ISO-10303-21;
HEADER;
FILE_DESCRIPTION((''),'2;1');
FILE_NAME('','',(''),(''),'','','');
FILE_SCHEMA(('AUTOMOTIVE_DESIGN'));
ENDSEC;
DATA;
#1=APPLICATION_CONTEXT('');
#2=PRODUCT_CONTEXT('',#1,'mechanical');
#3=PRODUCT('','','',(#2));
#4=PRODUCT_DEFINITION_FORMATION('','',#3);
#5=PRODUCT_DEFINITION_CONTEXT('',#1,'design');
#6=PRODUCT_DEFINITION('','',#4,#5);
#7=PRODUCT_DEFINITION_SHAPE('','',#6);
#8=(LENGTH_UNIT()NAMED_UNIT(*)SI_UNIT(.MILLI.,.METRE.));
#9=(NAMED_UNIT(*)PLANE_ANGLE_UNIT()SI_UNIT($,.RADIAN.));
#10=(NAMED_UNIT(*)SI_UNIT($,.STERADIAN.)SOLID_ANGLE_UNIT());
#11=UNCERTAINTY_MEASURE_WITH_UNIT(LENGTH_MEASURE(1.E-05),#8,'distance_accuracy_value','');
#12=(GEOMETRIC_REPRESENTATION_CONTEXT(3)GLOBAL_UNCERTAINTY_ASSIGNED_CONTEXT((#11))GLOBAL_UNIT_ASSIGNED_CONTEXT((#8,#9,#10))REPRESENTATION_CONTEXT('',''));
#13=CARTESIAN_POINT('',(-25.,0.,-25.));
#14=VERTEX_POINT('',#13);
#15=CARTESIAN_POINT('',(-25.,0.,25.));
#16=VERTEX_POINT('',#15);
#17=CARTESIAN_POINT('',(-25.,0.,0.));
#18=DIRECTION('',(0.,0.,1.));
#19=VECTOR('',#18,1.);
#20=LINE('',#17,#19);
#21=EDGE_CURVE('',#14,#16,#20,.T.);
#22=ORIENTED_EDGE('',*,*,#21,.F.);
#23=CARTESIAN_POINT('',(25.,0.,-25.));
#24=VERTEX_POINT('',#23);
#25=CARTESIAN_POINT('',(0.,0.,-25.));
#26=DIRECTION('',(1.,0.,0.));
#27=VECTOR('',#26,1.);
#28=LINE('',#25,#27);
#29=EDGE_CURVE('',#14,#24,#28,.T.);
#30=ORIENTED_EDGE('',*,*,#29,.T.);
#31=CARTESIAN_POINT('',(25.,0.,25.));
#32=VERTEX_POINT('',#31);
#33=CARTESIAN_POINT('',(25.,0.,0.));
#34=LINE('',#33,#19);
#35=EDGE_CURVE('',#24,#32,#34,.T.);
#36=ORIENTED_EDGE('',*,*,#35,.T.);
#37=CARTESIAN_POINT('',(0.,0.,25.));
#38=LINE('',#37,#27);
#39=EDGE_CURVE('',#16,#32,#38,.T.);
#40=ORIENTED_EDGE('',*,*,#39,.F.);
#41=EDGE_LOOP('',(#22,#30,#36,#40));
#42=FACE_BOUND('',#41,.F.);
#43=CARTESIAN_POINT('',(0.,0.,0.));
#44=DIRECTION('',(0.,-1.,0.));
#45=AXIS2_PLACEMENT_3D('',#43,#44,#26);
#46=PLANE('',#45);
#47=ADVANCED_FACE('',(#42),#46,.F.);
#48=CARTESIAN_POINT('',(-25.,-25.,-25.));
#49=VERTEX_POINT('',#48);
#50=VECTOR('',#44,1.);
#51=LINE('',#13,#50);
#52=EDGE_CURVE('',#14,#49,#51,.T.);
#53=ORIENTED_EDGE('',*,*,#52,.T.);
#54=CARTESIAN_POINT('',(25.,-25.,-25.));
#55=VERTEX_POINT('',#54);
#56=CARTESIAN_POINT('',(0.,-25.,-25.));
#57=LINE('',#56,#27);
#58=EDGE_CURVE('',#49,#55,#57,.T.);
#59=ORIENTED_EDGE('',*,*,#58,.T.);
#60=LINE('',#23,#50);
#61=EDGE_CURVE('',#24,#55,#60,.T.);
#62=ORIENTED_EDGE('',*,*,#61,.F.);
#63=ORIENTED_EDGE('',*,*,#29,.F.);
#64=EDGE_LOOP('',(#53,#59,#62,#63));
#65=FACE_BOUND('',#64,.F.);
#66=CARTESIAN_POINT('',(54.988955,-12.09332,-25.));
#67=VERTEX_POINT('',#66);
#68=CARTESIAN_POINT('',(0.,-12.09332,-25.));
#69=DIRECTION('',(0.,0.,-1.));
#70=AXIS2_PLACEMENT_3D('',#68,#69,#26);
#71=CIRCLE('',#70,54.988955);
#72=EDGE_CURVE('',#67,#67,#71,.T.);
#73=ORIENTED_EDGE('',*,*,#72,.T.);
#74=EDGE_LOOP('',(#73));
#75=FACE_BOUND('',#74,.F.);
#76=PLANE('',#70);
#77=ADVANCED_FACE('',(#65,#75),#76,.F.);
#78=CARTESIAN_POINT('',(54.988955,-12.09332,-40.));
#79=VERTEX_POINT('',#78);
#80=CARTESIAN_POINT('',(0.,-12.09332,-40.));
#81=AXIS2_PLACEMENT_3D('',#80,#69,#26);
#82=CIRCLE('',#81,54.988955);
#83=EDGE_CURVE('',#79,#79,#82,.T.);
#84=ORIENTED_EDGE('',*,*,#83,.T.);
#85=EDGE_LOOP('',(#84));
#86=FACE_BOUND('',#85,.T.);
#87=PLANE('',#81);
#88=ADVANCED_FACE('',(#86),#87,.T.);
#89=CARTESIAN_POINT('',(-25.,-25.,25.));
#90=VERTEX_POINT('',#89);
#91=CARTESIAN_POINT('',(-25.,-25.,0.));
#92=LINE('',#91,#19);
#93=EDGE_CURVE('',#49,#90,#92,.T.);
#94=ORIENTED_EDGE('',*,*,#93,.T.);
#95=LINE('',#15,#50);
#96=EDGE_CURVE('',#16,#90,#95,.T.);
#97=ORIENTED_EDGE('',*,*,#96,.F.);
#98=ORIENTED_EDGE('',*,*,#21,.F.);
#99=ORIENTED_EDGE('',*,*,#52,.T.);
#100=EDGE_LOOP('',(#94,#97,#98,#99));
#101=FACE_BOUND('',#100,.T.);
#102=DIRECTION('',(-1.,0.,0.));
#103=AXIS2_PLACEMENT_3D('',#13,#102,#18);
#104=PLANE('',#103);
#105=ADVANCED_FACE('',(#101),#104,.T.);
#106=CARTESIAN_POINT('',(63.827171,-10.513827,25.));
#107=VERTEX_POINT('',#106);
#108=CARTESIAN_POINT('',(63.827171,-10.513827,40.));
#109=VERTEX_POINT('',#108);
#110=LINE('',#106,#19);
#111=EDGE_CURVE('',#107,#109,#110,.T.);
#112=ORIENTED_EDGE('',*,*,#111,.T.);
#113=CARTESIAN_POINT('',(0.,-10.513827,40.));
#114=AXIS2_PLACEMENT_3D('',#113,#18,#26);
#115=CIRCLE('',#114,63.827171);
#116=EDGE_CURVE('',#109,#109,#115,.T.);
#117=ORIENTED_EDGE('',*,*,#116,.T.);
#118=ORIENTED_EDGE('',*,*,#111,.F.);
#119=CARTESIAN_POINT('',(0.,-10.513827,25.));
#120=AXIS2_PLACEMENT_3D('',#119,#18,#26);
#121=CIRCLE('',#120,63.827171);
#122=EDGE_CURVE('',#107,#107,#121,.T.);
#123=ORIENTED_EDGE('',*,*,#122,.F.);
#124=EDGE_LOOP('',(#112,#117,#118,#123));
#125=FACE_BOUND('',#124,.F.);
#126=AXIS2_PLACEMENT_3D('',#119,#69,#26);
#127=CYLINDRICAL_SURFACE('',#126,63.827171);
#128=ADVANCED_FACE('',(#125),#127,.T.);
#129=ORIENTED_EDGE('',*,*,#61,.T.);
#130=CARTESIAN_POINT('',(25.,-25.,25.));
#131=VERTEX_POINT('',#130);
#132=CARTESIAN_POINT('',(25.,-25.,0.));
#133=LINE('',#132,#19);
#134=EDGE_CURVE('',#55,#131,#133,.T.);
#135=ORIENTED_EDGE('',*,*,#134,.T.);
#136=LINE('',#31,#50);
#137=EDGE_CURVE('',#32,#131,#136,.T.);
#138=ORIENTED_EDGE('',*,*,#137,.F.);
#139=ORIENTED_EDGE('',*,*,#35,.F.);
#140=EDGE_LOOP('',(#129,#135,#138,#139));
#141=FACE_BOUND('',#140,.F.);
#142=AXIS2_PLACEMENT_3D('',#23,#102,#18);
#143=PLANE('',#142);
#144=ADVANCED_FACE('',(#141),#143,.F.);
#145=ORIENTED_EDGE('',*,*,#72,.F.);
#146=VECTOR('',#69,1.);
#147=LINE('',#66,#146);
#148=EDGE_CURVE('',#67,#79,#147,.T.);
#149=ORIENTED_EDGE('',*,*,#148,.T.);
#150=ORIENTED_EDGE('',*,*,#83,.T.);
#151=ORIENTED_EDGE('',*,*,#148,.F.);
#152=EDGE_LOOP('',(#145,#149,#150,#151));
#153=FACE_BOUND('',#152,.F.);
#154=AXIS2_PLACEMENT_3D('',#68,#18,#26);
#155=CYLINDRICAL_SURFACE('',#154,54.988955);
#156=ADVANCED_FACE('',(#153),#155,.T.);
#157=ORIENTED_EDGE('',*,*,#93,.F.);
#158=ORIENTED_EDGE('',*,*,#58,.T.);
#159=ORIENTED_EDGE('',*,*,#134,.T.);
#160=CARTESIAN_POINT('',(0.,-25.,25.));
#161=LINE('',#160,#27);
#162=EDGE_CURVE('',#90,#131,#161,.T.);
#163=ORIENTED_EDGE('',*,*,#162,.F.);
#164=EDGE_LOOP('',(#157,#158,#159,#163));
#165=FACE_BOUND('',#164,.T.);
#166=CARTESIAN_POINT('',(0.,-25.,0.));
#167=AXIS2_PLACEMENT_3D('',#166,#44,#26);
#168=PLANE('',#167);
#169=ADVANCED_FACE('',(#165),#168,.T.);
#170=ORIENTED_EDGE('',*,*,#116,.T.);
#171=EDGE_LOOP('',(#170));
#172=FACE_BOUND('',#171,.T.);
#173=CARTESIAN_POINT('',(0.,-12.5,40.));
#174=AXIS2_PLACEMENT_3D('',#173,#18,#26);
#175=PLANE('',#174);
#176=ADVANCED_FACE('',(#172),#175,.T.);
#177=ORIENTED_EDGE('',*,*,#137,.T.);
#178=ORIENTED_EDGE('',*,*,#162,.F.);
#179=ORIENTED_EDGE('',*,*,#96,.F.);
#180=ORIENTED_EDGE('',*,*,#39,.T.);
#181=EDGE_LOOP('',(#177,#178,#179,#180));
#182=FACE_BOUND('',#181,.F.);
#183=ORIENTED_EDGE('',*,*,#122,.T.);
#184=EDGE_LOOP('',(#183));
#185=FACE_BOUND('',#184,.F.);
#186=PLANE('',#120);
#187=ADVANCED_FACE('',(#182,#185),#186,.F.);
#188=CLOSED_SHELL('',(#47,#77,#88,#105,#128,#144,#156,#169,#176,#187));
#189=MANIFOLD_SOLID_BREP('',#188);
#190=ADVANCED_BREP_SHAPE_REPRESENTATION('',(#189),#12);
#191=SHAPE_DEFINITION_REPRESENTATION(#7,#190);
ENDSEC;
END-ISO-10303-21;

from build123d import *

# Parameters (mm, degrees)
F0_W      = 50
F0_H      = 50
F1_DEPTH  = 25
F2_R      = 63.827171
F3_DEPTH  = 15
F1_FACE_W = 50
F1_FACE_H = 25
F4_R      = 54.988955
F4_W      = 50
F4_H      = 25
F5_DEPTH  = 15


with BuildPart() as f1:
    # F0 (on Front) → F1 (new body)
    with BuildSketch(Plane.XZ):
        Rectangle(F0_W, F0_H)
    extrude(amount=F1_DEPTH)

    # F2 (on face) → F3 (join)
    with BuildSketch(Plane.XY.offset(25)):
        with Locations((0, -10.513827)):
            Circle(F2_R)
    extrude(amount=F3_DEPTH)

    # F1_face (on face) + F4 (on face) → F5 (join)
    with BuildSketch(Plane(origin=(0, -12.5, 25), x_dir=(1, 0, 0), z_dir=(0, 0, 1))):
        Rectangle(F1_FACE_W, F1_FACE_H)
    with BuildSketch(Plane(origin=(0, 0, -25), x_dir=(1, 0, 0), z_dir=(0, 0, -1))):
        with Locations((0, 12.09332)):
            Circle(F4_R)
        with Locations((0, 12.5)):
            Rectangle(F4_W, F4_H, mode=Mode.SUBTRACT)
        with Locations((0, 12.5)):
            Rectangle(F4_W, F4_H)
    extrude(amount=F5_DEPTH)


solid = f1.part
